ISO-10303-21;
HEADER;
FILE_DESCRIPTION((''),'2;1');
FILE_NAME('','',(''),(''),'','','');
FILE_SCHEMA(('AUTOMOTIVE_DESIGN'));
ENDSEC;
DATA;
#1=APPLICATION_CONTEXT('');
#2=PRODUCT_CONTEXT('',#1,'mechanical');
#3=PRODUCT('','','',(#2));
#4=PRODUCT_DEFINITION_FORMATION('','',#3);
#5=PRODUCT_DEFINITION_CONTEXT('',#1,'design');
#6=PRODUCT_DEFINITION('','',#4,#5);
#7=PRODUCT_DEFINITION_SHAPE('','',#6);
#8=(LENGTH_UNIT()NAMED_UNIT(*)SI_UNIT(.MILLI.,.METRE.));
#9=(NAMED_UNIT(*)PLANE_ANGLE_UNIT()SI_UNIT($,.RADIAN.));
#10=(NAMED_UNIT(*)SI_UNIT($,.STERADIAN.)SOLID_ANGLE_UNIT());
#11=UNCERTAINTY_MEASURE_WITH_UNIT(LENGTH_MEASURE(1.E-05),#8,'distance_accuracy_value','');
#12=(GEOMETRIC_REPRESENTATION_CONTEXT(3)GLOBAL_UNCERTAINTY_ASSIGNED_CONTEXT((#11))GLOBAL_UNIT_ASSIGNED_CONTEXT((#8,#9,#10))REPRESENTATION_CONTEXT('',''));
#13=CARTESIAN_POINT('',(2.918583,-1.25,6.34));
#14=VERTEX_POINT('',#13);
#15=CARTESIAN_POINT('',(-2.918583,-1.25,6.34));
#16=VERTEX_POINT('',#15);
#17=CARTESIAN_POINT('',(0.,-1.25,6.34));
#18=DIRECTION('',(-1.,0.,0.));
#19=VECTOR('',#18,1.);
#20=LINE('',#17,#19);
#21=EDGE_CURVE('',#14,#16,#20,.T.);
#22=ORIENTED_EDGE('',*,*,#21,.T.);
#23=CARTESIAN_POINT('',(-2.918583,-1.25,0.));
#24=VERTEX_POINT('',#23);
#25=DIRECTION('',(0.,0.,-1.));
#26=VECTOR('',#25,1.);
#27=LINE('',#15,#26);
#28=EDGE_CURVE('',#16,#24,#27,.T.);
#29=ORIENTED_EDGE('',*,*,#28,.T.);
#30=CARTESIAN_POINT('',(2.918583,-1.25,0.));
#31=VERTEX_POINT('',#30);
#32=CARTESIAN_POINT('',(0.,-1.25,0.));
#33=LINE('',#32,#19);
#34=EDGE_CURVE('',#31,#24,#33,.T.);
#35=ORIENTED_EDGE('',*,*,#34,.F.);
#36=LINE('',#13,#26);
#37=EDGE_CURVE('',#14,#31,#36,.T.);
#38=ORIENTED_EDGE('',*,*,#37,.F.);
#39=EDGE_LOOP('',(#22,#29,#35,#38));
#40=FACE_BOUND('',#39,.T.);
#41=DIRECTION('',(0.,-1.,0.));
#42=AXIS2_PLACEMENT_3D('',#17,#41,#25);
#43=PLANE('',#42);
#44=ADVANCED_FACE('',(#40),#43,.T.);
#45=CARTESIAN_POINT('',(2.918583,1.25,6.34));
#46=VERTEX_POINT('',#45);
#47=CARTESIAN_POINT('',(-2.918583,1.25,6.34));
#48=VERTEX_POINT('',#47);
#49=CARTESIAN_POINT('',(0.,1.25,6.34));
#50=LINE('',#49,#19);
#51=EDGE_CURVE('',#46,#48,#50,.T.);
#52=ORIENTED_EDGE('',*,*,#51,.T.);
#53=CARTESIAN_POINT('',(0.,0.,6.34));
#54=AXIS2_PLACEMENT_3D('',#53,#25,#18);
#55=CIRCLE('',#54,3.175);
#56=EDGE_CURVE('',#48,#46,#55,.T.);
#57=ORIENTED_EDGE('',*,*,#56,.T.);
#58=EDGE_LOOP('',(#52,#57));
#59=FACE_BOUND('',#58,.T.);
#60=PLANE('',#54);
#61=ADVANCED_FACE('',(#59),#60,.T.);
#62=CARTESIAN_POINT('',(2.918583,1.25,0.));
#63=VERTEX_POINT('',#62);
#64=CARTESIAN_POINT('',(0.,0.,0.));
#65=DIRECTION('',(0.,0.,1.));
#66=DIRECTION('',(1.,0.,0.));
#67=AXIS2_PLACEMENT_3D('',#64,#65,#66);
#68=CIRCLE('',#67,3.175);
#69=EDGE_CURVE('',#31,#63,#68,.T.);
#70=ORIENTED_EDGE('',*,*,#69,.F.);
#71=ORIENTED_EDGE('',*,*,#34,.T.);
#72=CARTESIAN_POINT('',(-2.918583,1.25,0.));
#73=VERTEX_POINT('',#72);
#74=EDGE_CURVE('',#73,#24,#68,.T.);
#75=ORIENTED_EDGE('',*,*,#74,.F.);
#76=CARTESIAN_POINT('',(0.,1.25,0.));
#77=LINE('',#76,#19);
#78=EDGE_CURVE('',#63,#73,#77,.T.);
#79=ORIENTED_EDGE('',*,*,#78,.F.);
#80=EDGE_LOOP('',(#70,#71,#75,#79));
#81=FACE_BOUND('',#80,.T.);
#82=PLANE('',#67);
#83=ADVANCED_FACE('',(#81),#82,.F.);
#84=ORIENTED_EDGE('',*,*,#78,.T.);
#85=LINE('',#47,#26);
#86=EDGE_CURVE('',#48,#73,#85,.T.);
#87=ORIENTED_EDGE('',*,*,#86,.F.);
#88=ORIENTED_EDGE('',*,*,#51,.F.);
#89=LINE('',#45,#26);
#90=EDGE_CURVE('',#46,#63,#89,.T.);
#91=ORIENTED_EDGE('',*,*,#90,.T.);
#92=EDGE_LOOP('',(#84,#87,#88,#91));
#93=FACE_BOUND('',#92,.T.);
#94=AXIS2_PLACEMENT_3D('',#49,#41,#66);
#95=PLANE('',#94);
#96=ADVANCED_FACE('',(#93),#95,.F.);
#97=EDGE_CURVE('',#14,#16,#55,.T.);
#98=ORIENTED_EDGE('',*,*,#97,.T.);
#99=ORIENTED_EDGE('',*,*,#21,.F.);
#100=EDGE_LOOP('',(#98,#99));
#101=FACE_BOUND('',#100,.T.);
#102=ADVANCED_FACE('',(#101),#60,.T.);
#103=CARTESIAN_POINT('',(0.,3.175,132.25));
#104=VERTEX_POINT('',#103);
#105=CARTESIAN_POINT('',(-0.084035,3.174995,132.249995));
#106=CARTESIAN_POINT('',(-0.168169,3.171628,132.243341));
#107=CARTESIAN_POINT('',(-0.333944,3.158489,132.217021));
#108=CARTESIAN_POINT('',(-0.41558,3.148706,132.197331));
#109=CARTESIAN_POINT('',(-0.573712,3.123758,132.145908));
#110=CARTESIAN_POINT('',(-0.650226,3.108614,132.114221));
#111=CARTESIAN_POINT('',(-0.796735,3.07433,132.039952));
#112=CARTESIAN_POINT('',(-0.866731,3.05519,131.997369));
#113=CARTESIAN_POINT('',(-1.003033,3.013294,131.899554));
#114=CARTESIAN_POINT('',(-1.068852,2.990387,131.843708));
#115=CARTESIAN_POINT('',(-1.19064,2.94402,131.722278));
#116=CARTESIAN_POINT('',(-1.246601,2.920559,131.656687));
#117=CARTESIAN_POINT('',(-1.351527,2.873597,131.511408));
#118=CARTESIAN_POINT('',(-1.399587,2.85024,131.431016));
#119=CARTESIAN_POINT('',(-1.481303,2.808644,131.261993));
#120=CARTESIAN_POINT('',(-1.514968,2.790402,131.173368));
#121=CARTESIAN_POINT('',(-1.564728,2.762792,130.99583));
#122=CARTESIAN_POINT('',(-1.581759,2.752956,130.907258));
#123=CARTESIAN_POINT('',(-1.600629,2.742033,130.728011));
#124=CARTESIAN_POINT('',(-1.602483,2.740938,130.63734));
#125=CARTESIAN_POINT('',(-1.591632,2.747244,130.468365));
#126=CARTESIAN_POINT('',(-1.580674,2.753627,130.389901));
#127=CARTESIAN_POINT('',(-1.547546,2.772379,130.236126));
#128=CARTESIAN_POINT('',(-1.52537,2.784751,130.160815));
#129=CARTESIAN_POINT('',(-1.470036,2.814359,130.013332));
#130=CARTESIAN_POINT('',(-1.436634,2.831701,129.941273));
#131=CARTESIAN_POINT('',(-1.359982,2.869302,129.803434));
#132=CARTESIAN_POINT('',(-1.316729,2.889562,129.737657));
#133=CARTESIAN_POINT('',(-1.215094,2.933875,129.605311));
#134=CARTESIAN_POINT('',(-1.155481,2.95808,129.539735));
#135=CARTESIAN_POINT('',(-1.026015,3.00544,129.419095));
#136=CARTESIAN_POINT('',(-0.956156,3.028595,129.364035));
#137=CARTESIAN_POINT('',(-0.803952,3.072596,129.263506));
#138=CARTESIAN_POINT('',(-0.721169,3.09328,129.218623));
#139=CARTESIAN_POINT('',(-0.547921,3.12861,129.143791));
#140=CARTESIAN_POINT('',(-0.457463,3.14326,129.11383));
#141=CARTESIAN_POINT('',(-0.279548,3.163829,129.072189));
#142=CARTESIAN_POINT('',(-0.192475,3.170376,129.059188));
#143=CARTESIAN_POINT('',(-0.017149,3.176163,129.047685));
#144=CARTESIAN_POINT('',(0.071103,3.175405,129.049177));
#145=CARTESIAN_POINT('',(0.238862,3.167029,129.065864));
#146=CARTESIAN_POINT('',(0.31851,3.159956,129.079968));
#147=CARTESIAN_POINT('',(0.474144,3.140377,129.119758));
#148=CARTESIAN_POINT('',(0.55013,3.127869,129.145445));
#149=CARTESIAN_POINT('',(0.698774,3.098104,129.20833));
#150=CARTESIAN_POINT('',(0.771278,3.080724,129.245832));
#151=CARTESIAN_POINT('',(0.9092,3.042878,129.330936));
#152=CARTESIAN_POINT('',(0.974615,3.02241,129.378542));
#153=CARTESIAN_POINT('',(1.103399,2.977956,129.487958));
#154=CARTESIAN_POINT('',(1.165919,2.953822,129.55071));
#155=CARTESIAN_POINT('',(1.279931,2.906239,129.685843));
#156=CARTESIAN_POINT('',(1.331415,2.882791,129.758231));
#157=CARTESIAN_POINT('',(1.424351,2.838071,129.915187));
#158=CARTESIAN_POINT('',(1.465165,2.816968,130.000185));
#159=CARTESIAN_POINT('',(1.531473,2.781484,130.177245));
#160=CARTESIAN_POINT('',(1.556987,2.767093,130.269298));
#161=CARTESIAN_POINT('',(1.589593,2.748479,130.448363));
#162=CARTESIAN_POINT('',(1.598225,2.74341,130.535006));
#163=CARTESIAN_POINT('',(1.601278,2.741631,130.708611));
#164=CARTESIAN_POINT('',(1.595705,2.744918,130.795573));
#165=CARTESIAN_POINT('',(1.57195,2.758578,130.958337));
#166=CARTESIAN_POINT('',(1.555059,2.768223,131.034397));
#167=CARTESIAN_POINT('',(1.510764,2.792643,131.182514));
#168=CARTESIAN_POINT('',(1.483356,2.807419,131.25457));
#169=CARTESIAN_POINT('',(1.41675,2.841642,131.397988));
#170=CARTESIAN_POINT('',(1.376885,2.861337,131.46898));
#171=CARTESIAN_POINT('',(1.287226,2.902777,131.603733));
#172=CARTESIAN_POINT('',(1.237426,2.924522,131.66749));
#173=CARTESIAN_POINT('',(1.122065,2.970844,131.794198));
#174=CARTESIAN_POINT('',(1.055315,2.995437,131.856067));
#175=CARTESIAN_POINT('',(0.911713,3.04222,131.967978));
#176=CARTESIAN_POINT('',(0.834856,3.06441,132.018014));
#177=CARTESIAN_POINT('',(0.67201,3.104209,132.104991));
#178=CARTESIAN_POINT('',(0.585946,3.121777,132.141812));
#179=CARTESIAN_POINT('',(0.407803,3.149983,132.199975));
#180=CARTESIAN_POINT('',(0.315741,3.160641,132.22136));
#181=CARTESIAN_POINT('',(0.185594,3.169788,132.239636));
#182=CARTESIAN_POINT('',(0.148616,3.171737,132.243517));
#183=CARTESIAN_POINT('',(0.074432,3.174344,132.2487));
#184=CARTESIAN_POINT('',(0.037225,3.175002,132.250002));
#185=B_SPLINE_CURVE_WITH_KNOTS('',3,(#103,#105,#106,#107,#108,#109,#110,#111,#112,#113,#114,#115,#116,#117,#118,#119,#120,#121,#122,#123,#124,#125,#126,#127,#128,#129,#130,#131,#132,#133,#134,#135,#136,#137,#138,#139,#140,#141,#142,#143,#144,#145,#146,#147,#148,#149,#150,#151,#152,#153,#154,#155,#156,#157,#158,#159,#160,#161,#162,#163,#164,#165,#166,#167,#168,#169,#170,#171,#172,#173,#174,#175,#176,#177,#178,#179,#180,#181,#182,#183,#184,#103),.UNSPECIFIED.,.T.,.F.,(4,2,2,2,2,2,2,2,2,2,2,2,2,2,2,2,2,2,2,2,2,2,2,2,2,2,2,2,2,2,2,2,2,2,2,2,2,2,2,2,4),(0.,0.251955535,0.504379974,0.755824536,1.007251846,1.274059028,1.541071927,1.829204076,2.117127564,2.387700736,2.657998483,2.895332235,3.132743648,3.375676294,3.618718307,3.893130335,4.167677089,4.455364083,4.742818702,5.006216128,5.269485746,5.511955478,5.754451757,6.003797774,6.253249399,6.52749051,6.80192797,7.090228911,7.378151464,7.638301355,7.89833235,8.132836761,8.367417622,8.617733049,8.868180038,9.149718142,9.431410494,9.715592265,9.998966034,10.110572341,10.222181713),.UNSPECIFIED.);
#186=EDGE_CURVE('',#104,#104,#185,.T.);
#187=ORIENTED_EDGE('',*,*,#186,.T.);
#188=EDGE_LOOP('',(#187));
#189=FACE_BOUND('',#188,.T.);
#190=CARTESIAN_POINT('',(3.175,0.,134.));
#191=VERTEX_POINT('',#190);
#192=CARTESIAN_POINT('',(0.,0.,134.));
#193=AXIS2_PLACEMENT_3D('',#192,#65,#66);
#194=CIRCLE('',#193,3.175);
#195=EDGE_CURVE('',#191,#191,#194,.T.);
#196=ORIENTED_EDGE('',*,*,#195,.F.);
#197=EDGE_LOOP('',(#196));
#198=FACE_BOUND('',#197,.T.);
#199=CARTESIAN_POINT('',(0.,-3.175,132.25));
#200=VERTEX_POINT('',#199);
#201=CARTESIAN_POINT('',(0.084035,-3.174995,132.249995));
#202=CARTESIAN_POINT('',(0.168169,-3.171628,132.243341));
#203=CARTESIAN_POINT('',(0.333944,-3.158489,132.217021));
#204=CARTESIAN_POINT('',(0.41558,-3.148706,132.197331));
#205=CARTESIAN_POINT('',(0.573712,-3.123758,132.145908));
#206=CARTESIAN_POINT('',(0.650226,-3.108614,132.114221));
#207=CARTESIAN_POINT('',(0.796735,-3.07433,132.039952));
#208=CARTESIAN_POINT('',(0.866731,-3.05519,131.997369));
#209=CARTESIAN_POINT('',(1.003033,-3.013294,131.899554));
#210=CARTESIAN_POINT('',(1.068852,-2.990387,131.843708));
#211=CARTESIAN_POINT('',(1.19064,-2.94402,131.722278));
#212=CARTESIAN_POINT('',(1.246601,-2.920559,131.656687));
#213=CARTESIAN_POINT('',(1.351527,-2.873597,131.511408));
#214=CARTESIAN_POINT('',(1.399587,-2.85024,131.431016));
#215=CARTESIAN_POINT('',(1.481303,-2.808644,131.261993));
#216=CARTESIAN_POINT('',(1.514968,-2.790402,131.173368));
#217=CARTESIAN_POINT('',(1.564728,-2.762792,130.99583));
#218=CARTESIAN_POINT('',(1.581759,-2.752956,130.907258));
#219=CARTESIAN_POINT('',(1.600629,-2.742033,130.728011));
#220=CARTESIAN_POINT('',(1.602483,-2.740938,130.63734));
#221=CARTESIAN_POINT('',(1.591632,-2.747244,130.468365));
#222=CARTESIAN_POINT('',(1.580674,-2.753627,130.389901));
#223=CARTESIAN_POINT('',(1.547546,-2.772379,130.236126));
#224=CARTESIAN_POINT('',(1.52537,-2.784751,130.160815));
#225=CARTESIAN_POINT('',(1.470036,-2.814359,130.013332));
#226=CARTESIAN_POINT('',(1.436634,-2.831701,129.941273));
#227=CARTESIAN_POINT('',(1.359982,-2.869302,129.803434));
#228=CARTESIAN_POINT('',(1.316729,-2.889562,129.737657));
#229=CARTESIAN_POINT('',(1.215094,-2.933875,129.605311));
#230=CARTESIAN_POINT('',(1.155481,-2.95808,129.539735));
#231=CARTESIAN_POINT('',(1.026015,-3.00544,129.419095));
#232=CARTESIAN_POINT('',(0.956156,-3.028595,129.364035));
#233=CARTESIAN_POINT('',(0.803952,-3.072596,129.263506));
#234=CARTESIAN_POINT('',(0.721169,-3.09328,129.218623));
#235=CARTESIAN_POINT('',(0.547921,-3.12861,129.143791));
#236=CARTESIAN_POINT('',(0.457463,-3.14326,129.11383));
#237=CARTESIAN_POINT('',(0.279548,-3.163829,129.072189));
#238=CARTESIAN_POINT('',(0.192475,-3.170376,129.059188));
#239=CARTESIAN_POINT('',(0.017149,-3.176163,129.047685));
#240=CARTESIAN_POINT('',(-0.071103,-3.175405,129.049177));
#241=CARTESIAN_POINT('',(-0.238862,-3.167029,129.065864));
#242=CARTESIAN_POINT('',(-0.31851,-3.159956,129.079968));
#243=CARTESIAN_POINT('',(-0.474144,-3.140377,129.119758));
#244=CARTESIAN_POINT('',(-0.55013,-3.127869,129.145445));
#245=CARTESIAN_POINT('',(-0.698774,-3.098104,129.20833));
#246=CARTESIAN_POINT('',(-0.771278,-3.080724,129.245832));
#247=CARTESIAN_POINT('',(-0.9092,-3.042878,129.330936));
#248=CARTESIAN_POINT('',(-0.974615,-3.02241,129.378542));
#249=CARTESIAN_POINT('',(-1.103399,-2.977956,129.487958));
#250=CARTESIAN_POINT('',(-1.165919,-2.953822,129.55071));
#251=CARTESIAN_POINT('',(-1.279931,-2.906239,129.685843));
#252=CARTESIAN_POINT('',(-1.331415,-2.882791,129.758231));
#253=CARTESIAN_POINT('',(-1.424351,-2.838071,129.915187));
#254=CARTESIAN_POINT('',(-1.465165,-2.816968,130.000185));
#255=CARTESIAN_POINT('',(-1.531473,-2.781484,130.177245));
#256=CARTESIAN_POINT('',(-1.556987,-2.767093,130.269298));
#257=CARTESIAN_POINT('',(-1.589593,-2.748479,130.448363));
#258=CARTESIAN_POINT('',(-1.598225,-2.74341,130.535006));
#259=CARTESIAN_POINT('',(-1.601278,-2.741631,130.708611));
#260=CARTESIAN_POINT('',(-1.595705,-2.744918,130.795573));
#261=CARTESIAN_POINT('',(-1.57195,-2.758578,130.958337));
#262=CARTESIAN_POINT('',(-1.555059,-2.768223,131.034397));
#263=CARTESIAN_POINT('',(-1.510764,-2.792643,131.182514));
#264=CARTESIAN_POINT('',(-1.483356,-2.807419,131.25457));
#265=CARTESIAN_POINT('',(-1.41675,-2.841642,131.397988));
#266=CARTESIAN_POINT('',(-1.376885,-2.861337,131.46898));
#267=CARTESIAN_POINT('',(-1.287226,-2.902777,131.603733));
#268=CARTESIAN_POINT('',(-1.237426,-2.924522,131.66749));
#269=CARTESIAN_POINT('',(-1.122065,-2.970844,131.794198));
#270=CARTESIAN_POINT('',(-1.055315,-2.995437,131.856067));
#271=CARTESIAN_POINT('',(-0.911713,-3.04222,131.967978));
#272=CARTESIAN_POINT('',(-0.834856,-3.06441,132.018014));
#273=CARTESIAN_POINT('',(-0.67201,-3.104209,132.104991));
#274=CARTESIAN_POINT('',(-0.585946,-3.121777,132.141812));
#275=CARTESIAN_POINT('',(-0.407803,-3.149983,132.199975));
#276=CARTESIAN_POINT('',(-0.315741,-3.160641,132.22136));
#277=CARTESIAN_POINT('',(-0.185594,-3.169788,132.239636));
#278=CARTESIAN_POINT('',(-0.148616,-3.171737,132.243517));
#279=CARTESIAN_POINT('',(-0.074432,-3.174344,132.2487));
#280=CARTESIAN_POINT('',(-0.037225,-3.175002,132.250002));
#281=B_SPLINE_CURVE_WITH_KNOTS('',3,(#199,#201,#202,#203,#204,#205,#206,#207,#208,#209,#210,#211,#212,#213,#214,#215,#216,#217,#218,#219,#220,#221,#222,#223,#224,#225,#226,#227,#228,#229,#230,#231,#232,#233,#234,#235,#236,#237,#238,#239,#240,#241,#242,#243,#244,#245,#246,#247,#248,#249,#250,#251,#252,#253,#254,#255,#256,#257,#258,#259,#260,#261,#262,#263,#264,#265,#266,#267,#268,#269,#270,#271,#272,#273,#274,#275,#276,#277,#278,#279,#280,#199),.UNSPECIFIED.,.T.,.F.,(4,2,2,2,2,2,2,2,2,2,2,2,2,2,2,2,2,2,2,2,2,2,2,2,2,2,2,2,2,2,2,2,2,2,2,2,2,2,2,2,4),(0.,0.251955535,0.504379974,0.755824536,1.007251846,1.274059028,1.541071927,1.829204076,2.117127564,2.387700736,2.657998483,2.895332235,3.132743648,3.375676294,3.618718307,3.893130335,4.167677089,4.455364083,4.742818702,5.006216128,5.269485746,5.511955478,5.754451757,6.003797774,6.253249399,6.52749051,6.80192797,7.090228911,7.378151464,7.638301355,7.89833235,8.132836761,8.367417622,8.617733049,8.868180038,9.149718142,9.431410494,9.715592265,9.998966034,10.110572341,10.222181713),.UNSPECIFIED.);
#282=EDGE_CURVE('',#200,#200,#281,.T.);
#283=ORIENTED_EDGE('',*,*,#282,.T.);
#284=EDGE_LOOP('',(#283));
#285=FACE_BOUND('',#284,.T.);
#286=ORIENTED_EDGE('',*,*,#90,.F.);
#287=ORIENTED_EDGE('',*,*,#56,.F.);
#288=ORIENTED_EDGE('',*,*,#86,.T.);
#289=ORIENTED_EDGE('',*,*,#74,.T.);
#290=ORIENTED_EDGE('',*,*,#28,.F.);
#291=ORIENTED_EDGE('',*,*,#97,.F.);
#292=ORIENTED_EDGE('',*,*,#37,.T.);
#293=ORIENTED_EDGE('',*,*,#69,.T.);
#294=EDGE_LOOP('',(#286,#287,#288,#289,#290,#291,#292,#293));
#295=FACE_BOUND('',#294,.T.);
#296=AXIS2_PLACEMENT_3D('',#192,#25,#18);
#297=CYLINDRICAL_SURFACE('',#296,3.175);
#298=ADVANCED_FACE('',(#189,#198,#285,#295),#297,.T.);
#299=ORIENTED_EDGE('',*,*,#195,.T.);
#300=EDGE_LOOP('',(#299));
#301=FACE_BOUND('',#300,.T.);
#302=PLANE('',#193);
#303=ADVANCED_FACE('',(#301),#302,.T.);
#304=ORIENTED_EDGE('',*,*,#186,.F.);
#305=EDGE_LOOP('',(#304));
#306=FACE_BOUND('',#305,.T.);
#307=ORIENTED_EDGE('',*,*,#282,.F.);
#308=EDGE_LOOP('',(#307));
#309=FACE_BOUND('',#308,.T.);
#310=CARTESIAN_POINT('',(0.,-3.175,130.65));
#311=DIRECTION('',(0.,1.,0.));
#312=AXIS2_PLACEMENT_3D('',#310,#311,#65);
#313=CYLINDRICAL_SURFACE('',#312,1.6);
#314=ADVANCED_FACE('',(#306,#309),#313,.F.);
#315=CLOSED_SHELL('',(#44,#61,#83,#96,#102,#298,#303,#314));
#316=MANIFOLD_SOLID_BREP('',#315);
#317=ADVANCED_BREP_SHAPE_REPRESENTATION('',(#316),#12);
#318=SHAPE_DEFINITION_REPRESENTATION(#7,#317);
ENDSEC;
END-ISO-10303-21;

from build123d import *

# Parameters (mm, degrees)
SKETCH1_R           = 3.175
BOSS_EXTRUDE1_DEPTH = 134
CUT_EXTRUDE1_DEPTH  = 6.34
SKETCH5_R           = 1.6
CUT_EXTRUDE2_DEPTH  = 135.187939566


with BuildPart() as part:
    # Sketch1 → Boss-Extrude1 (new body)
    with BuildSketch(Plane.XY):
        Circle(SKETCH1_R)
    extrude(amount=BOSS_EXTRUDE1_DEPTH)

    # Sketch2 → Cut-Extrude1 (cut)
    with BuildSketch(Plane(origin=(0, 0, 0), x_dir=(-1, 0, 0), z_dir=(0, 0, -1))):
        with BuildLine():
            ThreePointArc((2.918582704, 1.25), (0, 3.175), (-2.918582704, 1.25))
            Line((-2.918582704, 1.25), (2.918582704, 1.25))
        make_face()
        with BuildLine():
            Line((2.918582704, -1.25), (-2.918582704, -1.25))
            ThreePointArc((-2.918582704, -1.25), (0, -3.175), (2.918582704, -1.25))
        make_face()
    extrude(amount=-CUT_EXTRUDE1_DEPTH, mode=Mode.SUBTRACT)

    # Sketch5 → Cut-Extrude2 (cut, through all)
    with BuildSketch(Plane(origin=(0, 3.175, 0), x_dir=(1, 0, 0), z_dir=(0, 1, 0))):
        with Locations(Location((0, -130.65, 0), (0, 0, 270))):
            Circle(SKETCH5_R)
    extrude(amount=-CUT_EXTRUDE2_DEPTH, mode=Mode.SUBTRACT)


solid = part.part
